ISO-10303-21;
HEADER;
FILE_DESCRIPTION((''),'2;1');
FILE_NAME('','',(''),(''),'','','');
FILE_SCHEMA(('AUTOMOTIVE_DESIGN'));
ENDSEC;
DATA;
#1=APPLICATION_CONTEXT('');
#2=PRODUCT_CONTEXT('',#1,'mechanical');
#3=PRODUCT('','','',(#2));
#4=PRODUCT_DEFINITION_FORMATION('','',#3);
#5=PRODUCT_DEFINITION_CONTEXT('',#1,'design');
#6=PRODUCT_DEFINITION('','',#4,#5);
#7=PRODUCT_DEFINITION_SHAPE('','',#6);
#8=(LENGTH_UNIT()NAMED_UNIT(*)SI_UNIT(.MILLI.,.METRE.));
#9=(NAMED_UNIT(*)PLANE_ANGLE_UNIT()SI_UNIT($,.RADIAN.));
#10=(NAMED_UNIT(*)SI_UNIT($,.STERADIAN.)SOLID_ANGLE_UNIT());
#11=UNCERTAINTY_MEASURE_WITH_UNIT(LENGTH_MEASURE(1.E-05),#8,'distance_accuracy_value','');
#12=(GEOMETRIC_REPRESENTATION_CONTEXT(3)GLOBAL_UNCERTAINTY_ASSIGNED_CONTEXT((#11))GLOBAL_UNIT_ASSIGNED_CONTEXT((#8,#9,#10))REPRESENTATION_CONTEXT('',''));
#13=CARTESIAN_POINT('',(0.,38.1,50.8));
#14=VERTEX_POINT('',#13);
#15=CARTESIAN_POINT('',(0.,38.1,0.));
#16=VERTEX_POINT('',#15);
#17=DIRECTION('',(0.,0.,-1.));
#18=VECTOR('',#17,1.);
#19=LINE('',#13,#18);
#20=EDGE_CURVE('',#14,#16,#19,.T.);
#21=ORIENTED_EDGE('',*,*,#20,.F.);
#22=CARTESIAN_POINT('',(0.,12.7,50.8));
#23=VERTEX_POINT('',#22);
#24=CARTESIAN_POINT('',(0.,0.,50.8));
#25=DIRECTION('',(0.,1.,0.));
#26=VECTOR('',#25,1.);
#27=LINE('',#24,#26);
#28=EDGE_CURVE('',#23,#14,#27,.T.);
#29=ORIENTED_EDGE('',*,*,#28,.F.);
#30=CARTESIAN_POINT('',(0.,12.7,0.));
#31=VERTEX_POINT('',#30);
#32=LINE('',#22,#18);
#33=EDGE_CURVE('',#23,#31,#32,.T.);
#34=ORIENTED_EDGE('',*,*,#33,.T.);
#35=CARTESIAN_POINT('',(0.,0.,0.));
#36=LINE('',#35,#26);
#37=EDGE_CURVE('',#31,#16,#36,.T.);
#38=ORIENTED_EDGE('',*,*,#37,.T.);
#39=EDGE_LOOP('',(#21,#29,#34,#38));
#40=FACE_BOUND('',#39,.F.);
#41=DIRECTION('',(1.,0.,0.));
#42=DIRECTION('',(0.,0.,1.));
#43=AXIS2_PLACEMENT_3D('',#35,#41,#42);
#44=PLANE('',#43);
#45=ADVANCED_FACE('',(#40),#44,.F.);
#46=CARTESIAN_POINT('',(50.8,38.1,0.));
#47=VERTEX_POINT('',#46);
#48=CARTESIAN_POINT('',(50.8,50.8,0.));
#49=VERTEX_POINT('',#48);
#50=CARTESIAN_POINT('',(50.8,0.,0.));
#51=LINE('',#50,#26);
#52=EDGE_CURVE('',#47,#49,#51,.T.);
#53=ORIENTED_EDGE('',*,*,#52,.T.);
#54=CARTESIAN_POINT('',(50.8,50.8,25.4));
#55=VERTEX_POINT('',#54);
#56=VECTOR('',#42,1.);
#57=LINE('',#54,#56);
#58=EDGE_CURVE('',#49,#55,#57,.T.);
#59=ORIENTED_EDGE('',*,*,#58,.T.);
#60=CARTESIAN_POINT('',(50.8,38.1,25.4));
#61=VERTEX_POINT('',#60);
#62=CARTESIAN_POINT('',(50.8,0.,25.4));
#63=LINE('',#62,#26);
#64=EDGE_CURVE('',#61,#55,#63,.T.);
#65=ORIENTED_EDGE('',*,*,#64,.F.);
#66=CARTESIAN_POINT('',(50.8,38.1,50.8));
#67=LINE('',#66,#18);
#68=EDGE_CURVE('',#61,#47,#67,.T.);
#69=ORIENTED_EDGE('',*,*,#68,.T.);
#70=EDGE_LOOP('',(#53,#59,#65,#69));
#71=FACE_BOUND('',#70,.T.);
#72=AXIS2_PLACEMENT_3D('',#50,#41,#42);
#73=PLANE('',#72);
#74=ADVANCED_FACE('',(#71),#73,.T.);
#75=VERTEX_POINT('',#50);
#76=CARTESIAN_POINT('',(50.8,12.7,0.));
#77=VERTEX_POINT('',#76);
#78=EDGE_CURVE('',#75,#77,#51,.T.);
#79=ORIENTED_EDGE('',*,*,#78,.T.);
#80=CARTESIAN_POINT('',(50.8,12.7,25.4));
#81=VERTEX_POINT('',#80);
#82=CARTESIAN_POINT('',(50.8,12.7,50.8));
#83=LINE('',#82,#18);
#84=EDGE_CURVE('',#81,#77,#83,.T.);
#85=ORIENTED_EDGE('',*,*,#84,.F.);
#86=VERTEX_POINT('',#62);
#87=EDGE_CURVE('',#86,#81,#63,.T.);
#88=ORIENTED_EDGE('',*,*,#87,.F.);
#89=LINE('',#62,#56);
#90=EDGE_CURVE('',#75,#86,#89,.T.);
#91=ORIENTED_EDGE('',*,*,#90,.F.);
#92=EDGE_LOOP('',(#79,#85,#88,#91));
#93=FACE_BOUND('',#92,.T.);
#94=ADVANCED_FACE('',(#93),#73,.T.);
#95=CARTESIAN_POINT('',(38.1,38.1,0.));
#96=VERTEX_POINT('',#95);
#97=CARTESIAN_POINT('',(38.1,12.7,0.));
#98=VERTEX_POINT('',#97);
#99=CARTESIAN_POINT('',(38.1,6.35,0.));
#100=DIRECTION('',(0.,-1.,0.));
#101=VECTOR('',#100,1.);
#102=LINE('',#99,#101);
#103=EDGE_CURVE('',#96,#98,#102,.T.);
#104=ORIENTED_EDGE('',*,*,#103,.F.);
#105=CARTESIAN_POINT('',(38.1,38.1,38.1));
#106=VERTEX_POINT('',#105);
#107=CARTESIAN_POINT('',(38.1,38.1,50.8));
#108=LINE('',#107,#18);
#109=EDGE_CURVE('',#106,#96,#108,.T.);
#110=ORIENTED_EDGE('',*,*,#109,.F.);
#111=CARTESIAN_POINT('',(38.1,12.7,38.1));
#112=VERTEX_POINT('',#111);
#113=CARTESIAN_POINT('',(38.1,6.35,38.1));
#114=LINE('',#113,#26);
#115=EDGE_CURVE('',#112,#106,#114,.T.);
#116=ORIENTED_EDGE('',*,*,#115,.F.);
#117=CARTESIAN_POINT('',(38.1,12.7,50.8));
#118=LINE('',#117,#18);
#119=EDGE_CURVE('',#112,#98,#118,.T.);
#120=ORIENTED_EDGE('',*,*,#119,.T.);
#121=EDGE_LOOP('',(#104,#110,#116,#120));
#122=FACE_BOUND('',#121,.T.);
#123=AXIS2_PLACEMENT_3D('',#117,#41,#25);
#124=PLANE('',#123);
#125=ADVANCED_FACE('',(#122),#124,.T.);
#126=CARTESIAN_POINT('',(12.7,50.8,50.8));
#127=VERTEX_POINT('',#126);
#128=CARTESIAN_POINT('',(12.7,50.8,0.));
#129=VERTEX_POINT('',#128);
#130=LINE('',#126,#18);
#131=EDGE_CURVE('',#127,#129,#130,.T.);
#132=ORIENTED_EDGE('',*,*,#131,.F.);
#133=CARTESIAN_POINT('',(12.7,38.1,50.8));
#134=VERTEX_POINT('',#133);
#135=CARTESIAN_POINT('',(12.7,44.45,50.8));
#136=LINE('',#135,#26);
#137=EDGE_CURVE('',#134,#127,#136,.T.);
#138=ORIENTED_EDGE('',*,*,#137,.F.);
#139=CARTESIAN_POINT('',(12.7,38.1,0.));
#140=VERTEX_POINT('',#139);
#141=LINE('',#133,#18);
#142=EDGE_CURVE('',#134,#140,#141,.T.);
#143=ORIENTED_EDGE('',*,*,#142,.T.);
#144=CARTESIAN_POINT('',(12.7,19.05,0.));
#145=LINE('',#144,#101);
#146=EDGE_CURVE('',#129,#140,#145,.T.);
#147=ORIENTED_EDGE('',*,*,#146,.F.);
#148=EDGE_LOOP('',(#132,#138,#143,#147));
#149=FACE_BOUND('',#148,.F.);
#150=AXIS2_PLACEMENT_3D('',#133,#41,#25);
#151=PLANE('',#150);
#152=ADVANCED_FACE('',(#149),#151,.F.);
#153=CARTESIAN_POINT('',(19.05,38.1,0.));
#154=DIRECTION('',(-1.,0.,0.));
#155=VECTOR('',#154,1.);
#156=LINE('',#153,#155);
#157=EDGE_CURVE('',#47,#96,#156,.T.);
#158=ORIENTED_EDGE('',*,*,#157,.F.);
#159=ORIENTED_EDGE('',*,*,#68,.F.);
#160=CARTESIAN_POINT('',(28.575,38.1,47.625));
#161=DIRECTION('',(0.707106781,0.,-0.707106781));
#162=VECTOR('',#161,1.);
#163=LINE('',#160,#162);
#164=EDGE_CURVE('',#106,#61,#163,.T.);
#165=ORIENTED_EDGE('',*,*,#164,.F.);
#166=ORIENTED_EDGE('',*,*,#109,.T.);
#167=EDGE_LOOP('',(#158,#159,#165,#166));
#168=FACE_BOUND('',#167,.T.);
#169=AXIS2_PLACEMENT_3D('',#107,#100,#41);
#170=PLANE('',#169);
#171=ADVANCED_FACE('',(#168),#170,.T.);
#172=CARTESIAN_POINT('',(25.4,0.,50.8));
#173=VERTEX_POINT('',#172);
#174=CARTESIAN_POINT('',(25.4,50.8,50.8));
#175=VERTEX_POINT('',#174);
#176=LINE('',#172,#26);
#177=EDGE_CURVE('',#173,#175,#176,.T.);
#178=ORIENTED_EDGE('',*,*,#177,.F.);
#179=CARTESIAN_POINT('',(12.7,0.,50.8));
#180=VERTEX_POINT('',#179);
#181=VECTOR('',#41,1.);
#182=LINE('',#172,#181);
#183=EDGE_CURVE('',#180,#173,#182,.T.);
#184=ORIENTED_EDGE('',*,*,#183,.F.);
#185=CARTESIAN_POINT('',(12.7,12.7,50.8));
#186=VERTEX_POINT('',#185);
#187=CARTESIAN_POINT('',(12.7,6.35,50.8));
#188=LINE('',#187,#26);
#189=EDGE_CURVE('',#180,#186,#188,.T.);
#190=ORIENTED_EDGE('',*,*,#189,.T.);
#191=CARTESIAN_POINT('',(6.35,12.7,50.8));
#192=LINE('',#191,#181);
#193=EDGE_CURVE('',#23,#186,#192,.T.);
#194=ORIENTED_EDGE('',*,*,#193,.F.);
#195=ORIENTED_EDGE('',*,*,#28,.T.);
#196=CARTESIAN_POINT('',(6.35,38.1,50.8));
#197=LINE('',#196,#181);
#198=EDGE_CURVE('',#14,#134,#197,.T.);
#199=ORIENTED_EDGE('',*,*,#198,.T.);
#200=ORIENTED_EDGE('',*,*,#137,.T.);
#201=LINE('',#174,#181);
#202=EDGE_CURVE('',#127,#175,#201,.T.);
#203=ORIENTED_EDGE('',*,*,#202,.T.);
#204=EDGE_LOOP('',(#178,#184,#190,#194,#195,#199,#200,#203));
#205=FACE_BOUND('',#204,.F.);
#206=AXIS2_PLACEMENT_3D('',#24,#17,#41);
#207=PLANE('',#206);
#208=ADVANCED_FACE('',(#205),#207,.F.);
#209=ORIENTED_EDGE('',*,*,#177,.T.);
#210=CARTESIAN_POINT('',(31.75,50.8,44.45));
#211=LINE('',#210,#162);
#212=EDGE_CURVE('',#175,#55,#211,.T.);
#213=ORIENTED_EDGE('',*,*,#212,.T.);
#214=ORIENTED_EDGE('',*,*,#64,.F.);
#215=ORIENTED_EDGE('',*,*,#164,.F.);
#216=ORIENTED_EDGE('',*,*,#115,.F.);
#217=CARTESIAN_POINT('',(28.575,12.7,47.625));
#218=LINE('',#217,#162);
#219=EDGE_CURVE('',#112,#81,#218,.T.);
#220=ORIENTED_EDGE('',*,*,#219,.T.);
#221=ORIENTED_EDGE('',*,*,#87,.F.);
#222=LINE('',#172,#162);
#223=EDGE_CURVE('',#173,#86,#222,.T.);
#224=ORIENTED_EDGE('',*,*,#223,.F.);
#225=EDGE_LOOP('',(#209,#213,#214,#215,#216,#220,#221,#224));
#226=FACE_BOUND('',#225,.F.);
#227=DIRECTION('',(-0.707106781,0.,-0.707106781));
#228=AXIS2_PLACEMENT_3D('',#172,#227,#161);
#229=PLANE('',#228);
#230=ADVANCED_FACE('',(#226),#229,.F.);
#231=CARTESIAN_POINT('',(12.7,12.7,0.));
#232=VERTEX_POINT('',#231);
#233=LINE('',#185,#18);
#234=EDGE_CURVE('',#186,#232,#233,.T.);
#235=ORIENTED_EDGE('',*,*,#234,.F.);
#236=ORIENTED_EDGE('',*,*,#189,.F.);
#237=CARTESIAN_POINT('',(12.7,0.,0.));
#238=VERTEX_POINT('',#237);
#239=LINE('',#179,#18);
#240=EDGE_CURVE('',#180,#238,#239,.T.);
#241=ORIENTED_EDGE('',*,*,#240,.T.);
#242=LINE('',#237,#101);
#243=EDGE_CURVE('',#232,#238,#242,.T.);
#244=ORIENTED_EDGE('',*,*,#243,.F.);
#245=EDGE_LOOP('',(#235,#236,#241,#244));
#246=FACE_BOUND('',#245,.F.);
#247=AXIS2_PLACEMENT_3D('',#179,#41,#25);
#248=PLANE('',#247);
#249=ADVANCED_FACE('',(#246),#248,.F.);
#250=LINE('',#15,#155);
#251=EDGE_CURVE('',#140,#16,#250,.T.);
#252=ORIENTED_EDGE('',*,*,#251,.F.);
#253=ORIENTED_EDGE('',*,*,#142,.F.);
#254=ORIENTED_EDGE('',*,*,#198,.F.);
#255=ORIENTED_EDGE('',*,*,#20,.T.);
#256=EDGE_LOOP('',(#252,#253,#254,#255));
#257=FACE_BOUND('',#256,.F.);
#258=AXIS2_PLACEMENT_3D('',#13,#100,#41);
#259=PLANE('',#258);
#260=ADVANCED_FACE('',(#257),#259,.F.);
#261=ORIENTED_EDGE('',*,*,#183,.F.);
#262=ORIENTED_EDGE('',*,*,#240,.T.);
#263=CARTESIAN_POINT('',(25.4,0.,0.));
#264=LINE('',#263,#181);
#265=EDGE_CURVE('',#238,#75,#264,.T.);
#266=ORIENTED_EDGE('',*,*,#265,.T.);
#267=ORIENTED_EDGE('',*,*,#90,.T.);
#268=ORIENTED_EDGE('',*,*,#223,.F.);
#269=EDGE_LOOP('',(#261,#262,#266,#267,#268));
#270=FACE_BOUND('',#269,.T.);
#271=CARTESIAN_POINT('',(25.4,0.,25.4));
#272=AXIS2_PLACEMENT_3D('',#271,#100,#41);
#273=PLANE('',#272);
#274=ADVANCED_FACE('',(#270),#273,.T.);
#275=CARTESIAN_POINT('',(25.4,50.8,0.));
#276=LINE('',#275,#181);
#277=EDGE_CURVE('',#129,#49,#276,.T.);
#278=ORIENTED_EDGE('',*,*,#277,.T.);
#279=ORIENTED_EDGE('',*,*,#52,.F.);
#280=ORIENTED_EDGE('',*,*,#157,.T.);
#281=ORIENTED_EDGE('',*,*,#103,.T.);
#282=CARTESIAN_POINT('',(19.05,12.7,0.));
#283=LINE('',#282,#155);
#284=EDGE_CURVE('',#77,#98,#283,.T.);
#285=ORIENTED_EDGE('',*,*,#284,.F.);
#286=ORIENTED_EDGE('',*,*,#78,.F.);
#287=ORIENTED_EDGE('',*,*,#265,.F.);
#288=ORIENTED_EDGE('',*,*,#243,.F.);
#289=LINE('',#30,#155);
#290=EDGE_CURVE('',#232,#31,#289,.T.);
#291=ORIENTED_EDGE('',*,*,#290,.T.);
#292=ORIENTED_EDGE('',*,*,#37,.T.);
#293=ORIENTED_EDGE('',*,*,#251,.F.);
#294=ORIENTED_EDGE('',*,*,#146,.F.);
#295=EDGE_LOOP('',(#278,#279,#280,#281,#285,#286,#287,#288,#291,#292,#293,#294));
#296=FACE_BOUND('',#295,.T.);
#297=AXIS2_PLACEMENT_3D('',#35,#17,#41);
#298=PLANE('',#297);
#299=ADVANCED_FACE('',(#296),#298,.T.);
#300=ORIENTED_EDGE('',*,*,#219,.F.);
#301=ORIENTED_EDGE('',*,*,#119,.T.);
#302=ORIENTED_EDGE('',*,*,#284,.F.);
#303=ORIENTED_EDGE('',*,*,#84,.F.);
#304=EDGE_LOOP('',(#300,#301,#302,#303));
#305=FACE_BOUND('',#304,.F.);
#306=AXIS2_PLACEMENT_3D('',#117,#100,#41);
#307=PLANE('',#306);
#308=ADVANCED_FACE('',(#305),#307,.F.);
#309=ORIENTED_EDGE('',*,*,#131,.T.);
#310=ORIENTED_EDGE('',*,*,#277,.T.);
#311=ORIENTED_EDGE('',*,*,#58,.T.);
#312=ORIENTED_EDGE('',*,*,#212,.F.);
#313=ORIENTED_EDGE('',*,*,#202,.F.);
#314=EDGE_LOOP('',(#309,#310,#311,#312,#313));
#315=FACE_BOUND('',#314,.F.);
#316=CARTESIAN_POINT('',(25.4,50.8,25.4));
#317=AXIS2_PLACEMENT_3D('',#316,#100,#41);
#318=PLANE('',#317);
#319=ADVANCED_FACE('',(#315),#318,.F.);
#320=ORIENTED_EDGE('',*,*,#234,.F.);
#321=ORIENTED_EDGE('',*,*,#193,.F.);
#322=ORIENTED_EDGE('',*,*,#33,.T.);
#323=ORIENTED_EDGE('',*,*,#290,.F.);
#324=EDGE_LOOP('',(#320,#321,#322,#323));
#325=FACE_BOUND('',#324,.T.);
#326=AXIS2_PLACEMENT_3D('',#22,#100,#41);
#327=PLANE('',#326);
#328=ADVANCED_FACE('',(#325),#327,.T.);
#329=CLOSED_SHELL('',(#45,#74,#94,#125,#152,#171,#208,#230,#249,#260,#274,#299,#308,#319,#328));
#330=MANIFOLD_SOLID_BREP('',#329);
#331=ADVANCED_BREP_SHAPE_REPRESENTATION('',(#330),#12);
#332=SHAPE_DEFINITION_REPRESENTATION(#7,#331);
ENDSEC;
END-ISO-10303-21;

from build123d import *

# Parameters (mm, degrees)
F0_W     = 50.8
F0_H     = 50.8
F1_DEPTH = 50.8
F2_W     = 12.7
F2_H     = 12.7
F2_H_2   = 25.4
F3_DEPTH = 76.2
F5_DEPTH = 101.6


with BuildPart() as f1:
    # F0 (on Front) → F1 (new body)
    with BuildSketch(Plane.XZ):
        with Locations((25.4, 25.4)):
            Rectangle(F0_W, F0_H)
    extrude(amount=-F1_DEPTH)

    # F2 (on face) → F3 (cut)
    with BuildSketch(Plane.XY.offset(50.8)):
        with Locations((6.35, 44.45)):
            Rectangle(F2_W, F2_H)
        with Locations((6.35, 6.35)):
            Rectangle(F2_W, F2_H)
        with Locations((44.45, 25.4)):
            Rectangle(F2_W, F2_H_2)
    extrude(amount=-F3_DEPTH, mode=Mode.SUBTRACT)

    # F4 (on face) → F5 (cut)
    with BuildSketch(Plane.XZ):
        Polygon((50.8, 50.8), (25.4, 50.8), (50.8, 25.4), align=None)
    extrude(amount=-F5_DEPTH, mode=Mode.SUBTRACT)


solid = f1.part
